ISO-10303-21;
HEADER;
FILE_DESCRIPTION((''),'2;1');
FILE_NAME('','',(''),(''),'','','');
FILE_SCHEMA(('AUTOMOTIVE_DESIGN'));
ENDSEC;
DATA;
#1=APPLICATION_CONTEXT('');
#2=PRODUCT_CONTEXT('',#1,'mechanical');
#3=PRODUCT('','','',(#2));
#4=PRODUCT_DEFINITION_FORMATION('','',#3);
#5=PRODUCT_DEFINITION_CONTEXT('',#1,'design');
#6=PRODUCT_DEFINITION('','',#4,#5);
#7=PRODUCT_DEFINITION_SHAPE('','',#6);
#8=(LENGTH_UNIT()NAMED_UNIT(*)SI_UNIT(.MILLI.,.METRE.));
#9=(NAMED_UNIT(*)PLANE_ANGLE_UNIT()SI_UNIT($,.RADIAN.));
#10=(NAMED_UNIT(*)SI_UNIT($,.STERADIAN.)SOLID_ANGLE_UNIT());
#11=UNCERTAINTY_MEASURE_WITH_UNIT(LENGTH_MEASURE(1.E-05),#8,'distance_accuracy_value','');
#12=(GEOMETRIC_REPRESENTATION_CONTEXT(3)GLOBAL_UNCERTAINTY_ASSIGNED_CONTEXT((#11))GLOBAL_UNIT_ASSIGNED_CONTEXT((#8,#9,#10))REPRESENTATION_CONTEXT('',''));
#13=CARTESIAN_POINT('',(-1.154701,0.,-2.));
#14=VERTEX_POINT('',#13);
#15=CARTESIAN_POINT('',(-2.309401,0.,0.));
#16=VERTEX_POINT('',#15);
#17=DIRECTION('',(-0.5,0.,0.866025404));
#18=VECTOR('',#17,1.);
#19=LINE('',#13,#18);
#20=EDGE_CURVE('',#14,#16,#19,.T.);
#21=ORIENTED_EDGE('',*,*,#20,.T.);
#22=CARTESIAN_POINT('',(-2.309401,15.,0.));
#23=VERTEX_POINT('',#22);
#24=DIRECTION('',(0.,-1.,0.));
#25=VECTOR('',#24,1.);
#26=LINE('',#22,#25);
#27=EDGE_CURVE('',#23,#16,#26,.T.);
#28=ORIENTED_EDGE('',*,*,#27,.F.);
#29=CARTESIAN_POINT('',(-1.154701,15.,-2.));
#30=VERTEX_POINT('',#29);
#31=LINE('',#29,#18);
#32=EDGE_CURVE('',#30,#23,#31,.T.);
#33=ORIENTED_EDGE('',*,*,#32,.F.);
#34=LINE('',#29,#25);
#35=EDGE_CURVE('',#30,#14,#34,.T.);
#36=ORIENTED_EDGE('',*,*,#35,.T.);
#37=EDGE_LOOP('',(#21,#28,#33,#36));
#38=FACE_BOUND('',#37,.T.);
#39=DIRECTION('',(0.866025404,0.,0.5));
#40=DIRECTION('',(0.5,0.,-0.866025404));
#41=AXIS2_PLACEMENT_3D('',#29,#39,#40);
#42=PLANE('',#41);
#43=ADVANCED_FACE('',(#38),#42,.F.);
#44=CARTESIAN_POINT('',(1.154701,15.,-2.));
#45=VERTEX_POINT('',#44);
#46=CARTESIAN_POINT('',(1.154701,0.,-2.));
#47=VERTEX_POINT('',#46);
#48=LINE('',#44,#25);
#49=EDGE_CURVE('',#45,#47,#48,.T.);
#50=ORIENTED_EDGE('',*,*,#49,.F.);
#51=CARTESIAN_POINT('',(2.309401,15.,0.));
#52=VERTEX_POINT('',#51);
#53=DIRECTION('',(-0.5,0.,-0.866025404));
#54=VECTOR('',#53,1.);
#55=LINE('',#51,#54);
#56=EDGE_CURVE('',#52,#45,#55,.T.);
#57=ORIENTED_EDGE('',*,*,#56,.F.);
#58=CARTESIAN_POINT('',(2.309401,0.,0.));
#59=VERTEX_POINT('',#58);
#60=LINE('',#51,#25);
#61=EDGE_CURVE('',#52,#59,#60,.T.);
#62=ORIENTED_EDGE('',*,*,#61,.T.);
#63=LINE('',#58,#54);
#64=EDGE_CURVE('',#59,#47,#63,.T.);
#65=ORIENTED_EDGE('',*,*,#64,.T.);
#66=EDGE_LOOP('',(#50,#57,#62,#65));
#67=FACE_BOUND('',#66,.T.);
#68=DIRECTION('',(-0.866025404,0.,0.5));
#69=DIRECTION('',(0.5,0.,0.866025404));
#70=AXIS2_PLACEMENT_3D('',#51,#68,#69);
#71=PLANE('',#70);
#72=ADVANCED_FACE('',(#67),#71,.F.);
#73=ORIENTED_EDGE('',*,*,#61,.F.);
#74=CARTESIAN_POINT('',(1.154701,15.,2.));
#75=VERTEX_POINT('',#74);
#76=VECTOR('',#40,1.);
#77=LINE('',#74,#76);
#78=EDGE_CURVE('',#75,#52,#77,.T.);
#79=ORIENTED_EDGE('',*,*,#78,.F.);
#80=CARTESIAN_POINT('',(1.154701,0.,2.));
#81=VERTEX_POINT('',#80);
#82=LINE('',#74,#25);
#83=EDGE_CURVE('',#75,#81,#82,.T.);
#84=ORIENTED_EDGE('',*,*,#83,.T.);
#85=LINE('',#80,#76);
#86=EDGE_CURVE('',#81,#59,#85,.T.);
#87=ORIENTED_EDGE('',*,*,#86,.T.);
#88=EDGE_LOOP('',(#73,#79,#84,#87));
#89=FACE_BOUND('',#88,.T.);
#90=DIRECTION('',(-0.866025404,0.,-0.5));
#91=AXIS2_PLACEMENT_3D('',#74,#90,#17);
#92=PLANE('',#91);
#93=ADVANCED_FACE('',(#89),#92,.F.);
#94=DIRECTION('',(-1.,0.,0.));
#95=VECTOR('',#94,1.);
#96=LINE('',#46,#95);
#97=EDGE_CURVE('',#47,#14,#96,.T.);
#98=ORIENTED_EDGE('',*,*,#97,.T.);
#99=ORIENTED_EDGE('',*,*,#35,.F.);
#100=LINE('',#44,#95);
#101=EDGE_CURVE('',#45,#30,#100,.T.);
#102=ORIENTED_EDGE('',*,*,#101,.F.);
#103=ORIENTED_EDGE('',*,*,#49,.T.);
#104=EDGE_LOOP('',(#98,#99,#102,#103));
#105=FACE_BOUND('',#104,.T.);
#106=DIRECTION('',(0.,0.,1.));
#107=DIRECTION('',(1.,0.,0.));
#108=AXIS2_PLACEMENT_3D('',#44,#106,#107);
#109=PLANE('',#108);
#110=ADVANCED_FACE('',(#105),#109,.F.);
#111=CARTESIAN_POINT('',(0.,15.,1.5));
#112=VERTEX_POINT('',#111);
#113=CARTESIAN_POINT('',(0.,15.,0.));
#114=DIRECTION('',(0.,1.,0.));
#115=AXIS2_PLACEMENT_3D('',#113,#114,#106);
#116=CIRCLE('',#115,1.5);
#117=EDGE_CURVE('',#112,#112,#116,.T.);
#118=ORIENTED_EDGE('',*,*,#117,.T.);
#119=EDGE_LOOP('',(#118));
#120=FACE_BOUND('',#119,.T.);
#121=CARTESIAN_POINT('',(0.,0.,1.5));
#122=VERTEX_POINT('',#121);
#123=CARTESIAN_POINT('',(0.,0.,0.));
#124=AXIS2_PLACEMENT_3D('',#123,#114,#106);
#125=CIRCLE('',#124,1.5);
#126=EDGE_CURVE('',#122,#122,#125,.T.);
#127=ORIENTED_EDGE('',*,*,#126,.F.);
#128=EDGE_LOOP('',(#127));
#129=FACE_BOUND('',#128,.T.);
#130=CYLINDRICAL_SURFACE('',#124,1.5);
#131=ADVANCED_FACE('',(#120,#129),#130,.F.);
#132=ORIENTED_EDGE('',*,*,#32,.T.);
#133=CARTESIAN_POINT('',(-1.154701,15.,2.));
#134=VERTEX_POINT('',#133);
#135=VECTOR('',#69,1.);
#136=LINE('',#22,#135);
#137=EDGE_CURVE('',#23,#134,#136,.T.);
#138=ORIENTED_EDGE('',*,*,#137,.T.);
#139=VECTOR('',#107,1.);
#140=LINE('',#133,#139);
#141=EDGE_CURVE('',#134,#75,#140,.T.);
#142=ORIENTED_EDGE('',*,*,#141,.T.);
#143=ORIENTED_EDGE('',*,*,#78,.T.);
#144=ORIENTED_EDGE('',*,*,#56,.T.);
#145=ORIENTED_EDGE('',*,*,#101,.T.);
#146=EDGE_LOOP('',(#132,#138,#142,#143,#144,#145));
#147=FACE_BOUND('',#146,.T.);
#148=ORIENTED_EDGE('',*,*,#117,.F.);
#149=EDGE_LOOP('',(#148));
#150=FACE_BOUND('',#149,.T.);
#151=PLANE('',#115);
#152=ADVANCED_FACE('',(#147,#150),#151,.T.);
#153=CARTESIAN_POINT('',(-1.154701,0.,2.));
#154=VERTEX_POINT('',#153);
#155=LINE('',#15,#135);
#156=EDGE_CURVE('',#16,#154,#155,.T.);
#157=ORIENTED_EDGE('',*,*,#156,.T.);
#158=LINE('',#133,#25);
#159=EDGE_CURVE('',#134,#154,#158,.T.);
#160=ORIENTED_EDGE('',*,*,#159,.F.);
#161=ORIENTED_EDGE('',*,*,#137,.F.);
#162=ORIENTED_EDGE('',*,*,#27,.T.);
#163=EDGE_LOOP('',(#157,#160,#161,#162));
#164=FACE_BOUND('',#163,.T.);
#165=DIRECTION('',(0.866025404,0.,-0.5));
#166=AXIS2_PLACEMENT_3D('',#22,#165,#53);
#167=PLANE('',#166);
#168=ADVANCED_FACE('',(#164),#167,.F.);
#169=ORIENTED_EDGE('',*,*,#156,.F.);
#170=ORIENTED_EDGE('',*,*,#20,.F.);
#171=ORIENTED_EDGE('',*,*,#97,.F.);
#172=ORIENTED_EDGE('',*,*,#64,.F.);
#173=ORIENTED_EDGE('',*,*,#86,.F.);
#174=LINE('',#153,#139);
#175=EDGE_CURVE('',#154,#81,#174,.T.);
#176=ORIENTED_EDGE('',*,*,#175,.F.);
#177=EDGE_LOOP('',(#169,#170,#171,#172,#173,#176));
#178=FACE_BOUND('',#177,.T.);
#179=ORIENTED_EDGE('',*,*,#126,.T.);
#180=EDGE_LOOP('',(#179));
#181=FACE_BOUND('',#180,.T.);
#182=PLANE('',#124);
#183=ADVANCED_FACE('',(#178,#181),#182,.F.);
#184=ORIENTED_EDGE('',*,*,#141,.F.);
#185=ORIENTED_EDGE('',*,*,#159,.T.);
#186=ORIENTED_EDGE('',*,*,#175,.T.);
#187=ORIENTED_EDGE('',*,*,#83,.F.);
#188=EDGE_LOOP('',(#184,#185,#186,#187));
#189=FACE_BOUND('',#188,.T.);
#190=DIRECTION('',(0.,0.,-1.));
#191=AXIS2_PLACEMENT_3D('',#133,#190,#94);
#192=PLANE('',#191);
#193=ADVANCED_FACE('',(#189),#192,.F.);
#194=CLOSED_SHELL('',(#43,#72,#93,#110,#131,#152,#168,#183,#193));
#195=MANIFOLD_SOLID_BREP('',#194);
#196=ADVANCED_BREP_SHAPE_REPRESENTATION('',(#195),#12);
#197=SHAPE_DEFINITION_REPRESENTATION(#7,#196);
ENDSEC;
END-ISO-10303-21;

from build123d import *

# Parameters (mm, degrees)
EXTRUDE_1_DEPTH     = 15
SKETCH_2_R          = 1.5
CUT_EXTRUDE_1_DEPTH = 16.307950004


with BuildPart() as part:
    # 草图1 → 凸台-拉伸1 (new body)
    with BuildSketch(Plane(origin=(0, 0, 0), x_dir=(1, 0, 0), z_dir=(0, 1, 0))):
        Polygon((2.309401077, 0), (1.154700538, 2), (-1.154700538, 2), (-2.309401077, 0), (-1.154700538, -2), (1.154700538, -2), align=None)
    extrude(amount=EXTRUDE_1_DEPTH)

    # 草图2 → 切除-拉伸1 (cut, through all)
    with BuildSketch(Plane(origin=(0, 15, 0), x_dir=(1, 0, 0), z_dir=(0, 1, 0))):
        with Locations(Location((0, 0, 0), (0, 0, 270))):
            Circle(SKETCH_2_R)
    extrude(amount=-CUT_EXTRUDE_1_DEPTH, mode=Mode.SUBTRACT)


solid = part.part
